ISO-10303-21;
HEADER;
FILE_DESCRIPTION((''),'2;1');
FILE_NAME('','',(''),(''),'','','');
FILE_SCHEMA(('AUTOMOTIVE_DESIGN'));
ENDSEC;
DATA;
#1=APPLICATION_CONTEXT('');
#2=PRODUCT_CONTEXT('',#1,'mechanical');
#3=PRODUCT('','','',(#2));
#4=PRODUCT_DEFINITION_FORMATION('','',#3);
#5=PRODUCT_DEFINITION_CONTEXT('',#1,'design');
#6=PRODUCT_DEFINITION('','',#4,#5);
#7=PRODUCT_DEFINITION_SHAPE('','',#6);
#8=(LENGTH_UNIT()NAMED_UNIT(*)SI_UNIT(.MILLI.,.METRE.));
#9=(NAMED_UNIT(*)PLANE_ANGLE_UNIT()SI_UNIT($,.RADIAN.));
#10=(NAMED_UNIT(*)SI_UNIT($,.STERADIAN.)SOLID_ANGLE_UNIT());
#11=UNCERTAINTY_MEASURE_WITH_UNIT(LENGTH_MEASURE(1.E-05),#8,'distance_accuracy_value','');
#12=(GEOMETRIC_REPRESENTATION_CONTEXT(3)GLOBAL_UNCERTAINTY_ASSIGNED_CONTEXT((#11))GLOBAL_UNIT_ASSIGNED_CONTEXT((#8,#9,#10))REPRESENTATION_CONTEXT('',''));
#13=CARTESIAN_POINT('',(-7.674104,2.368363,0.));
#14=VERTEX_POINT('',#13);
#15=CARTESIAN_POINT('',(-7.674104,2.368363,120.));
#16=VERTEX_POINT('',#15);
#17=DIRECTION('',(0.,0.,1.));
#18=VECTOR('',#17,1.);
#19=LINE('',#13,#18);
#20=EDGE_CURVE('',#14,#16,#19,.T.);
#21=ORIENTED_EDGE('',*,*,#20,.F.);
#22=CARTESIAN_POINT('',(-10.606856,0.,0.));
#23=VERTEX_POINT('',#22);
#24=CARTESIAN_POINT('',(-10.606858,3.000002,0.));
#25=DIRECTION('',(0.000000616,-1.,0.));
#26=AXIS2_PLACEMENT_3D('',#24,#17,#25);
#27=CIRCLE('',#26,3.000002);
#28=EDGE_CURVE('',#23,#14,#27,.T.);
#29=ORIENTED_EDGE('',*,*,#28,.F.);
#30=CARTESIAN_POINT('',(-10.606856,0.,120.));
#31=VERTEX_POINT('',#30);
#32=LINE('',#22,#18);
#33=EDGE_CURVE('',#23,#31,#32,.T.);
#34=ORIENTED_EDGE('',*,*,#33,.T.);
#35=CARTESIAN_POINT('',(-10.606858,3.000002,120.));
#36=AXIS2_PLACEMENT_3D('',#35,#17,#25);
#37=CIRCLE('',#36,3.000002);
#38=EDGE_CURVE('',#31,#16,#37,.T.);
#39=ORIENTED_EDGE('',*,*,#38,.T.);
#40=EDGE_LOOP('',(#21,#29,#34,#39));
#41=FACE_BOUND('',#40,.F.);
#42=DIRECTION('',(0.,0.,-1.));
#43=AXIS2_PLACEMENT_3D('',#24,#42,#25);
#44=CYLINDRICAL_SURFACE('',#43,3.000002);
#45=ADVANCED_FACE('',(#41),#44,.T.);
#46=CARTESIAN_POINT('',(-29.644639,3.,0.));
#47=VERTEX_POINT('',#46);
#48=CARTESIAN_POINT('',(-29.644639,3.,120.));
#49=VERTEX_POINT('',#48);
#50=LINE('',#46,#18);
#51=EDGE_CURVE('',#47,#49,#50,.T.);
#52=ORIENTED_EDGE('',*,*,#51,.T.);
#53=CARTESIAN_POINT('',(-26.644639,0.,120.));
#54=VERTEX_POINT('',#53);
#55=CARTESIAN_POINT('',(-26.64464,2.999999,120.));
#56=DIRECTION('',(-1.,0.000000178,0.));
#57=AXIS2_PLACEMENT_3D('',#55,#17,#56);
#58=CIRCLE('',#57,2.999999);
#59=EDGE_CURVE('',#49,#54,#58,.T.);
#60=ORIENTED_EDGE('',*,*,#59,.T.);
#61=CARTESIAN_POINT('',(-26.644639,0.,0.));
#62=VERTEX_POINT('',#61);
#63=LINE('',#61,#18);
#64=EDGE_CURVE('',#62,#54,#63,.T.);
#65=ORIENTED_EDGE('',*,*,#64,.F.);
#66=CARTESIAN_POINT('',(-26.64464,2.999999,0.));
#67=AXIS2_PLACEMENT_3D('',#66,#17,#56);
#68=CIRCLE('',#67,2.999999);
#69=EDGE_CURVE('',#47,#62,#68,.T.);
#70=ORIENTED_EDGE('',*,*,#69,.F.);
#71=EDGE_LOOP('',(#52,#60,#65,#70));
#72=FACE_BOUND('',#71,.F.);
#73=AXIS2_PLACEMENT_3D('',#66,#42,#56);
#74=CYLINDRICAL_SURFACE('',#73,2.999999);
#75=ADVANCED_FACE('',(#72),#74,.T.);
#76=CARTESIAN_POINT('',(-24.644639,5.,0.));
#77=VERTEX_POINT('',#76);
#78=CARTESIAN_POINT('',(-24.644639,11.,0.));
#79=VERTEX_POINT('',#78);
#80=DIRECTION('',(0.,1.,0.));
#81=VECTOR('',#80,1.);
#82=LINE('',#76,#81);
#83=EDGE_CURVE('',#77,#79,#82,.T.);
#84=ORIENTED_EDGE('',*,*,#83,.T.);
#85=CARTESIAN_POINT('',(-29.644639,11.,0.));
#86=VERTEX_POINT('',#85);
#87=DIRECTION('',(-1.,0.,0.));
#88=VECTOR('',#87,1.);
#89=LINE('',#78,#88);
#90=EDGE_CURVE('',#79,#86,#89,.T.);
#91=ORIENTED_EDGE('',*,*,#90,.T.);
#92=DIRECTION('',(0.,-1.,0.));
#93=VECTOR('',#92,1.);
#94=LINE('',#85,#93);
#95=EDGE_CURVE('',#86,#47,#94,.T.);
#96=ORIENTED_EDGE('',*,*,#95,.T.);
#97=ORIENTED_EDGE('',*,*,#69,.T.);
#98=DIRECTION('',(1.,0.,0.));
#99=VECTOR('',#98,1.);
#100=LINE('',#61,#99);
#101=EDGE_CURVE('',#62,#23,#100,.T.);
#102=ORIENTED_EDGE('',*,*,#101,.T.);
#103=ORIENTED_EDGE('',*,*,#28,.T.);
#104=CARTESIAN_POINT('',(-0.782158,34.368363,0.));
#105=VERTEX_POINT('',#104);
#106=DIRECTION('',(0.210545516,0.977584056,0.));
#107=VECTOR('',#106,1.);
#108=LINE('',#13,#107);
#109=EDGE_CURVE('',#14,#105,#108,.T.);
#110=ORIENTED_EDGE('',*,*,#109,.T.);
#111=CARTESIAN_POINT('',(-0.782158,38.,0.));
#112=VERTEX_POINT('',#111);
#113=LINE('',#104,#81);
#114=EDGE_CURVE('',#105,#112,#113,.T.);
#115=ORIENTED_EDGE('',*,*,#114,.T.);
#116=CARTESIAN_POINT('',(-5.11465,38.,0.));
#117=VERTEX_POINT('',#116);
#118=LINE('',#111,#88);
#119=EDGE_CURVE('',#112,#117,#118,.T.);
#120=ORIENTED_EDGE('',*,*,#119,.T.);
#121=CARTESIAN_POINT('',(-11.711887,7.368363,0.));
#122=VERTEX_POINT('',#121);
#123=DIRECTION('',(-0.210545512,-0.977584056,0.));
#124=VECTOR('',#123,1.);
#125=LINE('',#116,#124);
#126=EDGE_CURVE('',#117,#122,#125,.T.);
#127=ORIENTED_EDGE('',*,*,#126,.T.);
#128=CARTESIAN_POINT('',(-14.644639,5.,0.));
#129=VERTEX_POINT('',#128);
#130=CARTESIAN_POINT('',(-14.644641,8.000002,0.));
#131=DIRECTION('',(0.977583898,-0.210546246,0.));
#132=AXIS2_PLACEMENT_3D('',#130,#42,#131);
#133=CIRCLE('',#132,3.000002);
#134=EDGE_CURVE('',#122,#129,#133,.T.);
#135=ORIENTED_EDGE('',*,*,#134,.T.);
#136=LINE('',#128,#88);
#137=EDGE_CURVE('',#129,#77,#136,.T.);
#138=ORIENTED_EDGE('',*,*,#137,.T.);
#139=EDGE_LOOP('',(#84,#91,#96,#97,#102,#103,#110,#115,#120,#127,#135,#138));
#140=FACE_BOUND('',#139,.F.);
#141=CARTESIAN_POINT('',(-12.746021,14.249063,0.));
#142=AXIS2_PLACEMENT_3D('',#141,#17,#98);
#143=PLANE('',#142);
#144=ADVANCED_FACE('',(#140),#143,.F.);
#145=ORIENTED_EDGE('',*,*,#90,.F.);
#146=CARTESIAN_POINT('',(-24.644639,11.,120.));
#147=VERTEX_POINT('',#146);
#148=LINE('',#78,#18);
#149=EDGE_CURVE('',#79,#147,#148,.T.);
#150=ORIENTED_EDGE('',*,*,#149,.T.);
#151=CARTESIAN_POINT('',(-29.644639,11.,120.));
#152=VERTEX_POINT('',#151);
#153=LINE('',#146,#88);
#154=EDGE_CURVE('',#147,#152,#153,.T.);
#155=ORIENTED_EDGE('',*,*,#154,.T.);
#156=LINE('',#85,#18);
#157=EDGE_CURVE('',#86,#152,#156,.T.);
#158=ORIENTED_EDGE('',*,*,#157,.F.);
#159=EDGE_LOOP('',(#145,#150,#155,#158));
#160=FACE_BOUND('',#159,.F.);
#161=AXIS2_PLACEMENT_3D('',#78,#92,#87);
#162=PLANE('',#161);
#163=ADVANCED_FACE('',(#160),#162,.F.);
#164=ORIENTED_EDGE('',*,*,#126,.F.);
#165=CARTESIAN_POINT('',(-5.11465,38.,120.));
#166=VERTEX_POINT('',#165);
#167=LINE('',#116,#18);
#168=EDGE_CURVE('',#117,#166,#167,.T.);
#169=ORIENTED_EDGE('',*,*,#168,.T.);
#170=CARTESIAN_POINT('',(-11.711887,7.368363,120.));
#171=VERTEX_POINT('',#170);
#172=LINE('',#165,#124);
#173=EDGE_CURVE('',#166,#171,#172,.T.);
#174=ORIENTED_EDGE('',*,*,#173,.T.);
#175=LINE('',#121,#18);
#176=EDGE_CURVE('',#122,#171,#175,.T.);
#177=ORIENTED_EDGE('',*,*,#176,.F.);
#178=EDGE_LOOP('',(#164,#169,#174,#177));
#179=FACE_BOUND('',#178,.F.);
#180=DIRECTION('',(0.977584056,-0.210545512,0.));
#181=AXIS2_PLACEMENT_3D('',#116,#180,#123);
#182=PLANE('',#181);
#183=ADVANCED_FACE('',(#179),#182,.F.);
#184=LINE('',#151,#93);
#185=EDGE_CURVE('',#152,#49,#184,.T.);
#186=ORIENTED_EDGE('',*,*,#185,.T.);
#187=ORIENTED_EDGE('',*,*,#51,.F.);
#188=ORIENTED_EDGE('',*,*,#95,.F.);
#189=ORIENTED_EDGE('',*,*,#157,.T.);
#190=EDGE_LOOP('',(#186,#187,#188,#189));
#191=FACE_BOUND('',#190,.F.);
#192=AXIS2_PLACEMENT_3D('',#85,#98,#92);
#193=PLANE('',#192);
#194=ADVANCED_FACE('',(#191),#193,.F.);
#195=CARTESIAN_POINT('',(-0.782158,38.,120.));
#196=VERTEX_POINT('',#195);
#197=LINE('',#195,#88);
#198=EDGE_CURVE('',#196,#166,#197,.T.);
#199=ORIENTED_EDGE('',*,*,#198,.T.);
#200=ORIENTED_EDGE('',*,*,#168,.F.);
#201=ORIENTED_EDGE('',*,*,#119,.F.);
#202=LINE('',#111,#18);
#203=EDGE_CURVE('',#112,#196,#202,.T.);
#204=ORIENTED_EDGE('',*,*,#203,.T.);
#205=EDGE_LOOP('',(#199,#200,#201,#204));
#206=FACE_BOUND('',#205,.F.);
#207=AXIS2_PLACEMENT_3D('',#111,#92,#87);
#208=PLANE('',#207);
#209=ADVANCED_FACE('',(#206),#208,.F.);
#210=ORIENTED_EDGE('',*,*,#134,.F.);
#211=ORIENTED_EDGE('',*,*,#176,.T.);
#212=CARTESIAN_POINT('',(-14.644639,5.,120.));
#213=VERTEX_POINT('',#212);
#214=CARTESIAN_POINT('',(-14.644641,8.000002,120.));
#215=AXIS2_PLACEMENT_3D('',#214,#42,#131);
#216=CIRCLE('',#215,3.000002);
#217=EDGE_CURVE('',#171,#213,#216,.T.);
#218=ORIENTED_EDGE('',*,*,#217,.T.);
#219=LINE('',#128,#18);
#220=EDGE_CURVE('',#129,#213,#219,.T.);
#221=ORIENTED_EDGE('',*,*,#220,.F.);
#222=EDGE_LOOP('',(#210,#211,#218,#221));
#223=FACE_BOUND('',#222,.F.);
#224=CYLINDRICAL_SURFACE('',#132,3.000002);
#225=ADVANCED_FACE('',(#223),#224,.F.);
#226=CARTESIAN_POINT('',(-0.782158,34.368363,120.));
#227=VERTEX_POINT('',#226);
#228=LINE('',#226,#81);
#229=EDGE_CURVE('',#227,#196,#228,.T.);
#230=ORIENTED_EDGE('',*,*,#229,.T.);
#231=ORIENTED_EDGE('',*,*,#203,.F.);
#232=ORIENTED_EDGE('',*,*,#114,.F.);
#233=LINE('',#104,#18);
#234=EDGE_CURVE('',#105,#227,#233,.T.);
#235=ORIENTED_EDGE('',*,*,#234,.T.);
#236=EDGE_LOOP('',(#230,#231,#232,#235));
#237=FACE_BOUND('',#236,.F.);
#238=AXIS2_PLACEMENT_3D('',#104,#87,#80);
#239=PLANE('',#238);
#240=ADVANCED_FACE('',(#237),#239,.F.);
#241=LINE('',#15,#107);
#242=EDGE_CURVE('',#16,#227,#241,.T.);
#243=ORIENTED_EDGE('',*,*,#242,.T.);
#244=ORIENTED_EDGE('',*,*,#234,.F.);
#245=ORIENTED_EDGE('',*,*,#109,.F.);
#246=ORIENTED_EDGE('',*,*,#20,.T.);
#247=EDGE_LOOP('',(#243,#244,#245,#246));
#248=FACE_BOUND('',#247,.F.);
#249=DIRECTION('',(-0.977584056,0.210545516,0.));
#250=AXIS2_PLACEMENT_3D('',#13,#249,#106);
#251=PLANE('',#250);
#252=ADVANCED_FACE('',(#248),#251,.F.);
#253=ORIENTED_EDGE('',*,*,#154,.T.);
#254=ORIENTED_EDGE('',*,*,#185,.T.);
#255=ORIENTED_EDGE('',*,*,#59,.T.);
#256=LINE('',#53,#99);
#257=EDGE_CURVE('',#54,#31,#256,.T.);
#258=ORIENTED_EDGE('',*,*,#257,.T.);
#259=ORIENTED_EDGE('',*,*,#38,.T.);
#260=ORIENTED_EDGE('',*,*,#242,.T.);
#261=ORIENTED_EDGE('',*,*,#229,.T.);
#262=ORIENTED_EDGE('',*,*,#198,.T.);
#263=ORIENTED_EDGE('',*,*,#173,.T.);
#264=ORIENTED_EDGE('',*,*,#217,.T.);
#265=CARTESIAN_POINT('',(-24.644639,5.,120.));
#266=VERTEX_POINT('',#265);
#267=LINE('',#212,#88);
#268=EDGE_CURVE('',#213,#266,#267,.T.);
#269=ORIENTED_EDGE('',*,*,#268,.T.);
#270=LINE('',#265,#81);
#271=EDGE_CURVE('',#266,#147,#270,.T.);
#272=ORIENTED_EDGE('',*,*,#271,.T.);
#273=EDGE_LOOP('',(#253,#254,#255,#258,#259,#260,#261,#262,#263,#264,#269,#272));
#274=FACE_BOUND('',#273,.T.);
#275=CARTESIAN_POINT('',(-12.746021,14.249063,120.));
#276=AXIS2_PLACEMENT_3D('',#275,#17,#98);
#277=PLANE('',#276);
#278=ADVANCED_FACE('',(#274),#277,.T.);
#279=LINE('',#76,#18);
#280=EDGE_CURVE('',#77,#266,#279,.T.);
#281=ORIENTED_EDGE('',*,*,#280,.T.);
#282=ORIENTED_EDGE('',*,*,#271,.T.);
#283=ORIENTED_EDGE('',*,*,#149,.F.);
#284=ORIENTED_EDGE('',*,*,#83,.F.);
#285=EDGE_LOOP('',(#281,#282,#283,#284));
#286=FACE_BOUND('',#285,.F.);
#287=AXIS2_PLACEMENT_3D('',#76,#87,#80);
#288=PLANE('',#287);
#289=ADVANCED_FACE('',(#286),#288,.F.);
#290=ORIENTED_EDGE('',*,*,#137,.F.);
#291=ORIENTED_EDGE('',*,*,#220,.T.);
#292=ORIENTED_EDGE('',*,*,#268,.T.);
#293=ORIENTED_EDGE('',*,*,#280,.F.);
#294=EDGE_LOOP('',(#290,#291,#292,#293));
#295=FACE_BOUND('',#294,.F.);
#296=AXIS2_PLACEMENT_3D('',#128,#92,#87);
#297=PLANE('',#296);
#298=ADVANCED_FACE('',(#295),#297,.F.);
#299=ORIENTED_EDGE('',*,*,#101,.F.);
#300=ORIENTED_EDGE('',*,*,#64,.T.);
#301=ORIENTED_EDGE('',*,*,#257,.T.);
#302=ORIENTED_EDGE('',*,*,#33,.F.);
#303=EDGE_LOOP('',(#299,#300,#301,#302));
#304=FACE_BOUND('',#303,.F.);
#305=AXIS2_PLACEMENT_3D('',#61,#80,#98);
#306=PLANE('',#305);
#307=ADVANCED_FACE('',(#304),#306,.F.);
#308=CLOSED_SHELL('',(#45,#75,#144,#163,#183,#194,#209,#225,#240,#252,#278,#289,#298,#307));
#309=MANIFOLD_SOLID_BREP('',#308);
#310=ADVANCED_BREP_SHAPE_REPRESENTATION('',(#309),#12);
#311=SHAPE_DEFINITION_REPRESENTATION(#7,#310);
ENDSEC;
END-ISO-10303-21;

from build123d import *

# Parameters (mm, degrees)
F1_DEPTH = 120


with BuildPart() as f1:
    # F0 (on Top) → F1 (new body)
    with BuildSketch(Plane.XY):
        with BuildLine():
            Line((-26.644639, 0), (-25.606856, 0))
            Line((-25.606856, 0), (-10.606856, 0))
            ThreePointArc((-10.606856, 0), (-8.722037, 0.666022), (-7.674104, 2.368363))
            Line((-7.674104, 2.368363), (-0.782158, 34.368363))
            Line((-0.782158, 34.368363), (-0.782158, 38))
            Line((-0.782158, 38), (-5.11465, 38))
            Line((-5.11465, 38), (-11.711887, 7.368363))
            ThreePointArc((-11.711887, 7.368363), (-12.75982, 5.666022), (-14.644639, 5))
            Line((-14.644639, 5), (-24.644639, 5))
            Line((-24.644639, 5), (-24.644639, 11))
            Line((-24.644639, 11), (-29.644639, 11))
            Line((-29.644639, 11), (-29.644639, 3))
            ThreePointArc((-29.644639, 3), (-28.76596, 0.87868), (-26.644639, 0))
        make_face()
    extrude(amount=F1_DEPTH)


solid = f1.part
